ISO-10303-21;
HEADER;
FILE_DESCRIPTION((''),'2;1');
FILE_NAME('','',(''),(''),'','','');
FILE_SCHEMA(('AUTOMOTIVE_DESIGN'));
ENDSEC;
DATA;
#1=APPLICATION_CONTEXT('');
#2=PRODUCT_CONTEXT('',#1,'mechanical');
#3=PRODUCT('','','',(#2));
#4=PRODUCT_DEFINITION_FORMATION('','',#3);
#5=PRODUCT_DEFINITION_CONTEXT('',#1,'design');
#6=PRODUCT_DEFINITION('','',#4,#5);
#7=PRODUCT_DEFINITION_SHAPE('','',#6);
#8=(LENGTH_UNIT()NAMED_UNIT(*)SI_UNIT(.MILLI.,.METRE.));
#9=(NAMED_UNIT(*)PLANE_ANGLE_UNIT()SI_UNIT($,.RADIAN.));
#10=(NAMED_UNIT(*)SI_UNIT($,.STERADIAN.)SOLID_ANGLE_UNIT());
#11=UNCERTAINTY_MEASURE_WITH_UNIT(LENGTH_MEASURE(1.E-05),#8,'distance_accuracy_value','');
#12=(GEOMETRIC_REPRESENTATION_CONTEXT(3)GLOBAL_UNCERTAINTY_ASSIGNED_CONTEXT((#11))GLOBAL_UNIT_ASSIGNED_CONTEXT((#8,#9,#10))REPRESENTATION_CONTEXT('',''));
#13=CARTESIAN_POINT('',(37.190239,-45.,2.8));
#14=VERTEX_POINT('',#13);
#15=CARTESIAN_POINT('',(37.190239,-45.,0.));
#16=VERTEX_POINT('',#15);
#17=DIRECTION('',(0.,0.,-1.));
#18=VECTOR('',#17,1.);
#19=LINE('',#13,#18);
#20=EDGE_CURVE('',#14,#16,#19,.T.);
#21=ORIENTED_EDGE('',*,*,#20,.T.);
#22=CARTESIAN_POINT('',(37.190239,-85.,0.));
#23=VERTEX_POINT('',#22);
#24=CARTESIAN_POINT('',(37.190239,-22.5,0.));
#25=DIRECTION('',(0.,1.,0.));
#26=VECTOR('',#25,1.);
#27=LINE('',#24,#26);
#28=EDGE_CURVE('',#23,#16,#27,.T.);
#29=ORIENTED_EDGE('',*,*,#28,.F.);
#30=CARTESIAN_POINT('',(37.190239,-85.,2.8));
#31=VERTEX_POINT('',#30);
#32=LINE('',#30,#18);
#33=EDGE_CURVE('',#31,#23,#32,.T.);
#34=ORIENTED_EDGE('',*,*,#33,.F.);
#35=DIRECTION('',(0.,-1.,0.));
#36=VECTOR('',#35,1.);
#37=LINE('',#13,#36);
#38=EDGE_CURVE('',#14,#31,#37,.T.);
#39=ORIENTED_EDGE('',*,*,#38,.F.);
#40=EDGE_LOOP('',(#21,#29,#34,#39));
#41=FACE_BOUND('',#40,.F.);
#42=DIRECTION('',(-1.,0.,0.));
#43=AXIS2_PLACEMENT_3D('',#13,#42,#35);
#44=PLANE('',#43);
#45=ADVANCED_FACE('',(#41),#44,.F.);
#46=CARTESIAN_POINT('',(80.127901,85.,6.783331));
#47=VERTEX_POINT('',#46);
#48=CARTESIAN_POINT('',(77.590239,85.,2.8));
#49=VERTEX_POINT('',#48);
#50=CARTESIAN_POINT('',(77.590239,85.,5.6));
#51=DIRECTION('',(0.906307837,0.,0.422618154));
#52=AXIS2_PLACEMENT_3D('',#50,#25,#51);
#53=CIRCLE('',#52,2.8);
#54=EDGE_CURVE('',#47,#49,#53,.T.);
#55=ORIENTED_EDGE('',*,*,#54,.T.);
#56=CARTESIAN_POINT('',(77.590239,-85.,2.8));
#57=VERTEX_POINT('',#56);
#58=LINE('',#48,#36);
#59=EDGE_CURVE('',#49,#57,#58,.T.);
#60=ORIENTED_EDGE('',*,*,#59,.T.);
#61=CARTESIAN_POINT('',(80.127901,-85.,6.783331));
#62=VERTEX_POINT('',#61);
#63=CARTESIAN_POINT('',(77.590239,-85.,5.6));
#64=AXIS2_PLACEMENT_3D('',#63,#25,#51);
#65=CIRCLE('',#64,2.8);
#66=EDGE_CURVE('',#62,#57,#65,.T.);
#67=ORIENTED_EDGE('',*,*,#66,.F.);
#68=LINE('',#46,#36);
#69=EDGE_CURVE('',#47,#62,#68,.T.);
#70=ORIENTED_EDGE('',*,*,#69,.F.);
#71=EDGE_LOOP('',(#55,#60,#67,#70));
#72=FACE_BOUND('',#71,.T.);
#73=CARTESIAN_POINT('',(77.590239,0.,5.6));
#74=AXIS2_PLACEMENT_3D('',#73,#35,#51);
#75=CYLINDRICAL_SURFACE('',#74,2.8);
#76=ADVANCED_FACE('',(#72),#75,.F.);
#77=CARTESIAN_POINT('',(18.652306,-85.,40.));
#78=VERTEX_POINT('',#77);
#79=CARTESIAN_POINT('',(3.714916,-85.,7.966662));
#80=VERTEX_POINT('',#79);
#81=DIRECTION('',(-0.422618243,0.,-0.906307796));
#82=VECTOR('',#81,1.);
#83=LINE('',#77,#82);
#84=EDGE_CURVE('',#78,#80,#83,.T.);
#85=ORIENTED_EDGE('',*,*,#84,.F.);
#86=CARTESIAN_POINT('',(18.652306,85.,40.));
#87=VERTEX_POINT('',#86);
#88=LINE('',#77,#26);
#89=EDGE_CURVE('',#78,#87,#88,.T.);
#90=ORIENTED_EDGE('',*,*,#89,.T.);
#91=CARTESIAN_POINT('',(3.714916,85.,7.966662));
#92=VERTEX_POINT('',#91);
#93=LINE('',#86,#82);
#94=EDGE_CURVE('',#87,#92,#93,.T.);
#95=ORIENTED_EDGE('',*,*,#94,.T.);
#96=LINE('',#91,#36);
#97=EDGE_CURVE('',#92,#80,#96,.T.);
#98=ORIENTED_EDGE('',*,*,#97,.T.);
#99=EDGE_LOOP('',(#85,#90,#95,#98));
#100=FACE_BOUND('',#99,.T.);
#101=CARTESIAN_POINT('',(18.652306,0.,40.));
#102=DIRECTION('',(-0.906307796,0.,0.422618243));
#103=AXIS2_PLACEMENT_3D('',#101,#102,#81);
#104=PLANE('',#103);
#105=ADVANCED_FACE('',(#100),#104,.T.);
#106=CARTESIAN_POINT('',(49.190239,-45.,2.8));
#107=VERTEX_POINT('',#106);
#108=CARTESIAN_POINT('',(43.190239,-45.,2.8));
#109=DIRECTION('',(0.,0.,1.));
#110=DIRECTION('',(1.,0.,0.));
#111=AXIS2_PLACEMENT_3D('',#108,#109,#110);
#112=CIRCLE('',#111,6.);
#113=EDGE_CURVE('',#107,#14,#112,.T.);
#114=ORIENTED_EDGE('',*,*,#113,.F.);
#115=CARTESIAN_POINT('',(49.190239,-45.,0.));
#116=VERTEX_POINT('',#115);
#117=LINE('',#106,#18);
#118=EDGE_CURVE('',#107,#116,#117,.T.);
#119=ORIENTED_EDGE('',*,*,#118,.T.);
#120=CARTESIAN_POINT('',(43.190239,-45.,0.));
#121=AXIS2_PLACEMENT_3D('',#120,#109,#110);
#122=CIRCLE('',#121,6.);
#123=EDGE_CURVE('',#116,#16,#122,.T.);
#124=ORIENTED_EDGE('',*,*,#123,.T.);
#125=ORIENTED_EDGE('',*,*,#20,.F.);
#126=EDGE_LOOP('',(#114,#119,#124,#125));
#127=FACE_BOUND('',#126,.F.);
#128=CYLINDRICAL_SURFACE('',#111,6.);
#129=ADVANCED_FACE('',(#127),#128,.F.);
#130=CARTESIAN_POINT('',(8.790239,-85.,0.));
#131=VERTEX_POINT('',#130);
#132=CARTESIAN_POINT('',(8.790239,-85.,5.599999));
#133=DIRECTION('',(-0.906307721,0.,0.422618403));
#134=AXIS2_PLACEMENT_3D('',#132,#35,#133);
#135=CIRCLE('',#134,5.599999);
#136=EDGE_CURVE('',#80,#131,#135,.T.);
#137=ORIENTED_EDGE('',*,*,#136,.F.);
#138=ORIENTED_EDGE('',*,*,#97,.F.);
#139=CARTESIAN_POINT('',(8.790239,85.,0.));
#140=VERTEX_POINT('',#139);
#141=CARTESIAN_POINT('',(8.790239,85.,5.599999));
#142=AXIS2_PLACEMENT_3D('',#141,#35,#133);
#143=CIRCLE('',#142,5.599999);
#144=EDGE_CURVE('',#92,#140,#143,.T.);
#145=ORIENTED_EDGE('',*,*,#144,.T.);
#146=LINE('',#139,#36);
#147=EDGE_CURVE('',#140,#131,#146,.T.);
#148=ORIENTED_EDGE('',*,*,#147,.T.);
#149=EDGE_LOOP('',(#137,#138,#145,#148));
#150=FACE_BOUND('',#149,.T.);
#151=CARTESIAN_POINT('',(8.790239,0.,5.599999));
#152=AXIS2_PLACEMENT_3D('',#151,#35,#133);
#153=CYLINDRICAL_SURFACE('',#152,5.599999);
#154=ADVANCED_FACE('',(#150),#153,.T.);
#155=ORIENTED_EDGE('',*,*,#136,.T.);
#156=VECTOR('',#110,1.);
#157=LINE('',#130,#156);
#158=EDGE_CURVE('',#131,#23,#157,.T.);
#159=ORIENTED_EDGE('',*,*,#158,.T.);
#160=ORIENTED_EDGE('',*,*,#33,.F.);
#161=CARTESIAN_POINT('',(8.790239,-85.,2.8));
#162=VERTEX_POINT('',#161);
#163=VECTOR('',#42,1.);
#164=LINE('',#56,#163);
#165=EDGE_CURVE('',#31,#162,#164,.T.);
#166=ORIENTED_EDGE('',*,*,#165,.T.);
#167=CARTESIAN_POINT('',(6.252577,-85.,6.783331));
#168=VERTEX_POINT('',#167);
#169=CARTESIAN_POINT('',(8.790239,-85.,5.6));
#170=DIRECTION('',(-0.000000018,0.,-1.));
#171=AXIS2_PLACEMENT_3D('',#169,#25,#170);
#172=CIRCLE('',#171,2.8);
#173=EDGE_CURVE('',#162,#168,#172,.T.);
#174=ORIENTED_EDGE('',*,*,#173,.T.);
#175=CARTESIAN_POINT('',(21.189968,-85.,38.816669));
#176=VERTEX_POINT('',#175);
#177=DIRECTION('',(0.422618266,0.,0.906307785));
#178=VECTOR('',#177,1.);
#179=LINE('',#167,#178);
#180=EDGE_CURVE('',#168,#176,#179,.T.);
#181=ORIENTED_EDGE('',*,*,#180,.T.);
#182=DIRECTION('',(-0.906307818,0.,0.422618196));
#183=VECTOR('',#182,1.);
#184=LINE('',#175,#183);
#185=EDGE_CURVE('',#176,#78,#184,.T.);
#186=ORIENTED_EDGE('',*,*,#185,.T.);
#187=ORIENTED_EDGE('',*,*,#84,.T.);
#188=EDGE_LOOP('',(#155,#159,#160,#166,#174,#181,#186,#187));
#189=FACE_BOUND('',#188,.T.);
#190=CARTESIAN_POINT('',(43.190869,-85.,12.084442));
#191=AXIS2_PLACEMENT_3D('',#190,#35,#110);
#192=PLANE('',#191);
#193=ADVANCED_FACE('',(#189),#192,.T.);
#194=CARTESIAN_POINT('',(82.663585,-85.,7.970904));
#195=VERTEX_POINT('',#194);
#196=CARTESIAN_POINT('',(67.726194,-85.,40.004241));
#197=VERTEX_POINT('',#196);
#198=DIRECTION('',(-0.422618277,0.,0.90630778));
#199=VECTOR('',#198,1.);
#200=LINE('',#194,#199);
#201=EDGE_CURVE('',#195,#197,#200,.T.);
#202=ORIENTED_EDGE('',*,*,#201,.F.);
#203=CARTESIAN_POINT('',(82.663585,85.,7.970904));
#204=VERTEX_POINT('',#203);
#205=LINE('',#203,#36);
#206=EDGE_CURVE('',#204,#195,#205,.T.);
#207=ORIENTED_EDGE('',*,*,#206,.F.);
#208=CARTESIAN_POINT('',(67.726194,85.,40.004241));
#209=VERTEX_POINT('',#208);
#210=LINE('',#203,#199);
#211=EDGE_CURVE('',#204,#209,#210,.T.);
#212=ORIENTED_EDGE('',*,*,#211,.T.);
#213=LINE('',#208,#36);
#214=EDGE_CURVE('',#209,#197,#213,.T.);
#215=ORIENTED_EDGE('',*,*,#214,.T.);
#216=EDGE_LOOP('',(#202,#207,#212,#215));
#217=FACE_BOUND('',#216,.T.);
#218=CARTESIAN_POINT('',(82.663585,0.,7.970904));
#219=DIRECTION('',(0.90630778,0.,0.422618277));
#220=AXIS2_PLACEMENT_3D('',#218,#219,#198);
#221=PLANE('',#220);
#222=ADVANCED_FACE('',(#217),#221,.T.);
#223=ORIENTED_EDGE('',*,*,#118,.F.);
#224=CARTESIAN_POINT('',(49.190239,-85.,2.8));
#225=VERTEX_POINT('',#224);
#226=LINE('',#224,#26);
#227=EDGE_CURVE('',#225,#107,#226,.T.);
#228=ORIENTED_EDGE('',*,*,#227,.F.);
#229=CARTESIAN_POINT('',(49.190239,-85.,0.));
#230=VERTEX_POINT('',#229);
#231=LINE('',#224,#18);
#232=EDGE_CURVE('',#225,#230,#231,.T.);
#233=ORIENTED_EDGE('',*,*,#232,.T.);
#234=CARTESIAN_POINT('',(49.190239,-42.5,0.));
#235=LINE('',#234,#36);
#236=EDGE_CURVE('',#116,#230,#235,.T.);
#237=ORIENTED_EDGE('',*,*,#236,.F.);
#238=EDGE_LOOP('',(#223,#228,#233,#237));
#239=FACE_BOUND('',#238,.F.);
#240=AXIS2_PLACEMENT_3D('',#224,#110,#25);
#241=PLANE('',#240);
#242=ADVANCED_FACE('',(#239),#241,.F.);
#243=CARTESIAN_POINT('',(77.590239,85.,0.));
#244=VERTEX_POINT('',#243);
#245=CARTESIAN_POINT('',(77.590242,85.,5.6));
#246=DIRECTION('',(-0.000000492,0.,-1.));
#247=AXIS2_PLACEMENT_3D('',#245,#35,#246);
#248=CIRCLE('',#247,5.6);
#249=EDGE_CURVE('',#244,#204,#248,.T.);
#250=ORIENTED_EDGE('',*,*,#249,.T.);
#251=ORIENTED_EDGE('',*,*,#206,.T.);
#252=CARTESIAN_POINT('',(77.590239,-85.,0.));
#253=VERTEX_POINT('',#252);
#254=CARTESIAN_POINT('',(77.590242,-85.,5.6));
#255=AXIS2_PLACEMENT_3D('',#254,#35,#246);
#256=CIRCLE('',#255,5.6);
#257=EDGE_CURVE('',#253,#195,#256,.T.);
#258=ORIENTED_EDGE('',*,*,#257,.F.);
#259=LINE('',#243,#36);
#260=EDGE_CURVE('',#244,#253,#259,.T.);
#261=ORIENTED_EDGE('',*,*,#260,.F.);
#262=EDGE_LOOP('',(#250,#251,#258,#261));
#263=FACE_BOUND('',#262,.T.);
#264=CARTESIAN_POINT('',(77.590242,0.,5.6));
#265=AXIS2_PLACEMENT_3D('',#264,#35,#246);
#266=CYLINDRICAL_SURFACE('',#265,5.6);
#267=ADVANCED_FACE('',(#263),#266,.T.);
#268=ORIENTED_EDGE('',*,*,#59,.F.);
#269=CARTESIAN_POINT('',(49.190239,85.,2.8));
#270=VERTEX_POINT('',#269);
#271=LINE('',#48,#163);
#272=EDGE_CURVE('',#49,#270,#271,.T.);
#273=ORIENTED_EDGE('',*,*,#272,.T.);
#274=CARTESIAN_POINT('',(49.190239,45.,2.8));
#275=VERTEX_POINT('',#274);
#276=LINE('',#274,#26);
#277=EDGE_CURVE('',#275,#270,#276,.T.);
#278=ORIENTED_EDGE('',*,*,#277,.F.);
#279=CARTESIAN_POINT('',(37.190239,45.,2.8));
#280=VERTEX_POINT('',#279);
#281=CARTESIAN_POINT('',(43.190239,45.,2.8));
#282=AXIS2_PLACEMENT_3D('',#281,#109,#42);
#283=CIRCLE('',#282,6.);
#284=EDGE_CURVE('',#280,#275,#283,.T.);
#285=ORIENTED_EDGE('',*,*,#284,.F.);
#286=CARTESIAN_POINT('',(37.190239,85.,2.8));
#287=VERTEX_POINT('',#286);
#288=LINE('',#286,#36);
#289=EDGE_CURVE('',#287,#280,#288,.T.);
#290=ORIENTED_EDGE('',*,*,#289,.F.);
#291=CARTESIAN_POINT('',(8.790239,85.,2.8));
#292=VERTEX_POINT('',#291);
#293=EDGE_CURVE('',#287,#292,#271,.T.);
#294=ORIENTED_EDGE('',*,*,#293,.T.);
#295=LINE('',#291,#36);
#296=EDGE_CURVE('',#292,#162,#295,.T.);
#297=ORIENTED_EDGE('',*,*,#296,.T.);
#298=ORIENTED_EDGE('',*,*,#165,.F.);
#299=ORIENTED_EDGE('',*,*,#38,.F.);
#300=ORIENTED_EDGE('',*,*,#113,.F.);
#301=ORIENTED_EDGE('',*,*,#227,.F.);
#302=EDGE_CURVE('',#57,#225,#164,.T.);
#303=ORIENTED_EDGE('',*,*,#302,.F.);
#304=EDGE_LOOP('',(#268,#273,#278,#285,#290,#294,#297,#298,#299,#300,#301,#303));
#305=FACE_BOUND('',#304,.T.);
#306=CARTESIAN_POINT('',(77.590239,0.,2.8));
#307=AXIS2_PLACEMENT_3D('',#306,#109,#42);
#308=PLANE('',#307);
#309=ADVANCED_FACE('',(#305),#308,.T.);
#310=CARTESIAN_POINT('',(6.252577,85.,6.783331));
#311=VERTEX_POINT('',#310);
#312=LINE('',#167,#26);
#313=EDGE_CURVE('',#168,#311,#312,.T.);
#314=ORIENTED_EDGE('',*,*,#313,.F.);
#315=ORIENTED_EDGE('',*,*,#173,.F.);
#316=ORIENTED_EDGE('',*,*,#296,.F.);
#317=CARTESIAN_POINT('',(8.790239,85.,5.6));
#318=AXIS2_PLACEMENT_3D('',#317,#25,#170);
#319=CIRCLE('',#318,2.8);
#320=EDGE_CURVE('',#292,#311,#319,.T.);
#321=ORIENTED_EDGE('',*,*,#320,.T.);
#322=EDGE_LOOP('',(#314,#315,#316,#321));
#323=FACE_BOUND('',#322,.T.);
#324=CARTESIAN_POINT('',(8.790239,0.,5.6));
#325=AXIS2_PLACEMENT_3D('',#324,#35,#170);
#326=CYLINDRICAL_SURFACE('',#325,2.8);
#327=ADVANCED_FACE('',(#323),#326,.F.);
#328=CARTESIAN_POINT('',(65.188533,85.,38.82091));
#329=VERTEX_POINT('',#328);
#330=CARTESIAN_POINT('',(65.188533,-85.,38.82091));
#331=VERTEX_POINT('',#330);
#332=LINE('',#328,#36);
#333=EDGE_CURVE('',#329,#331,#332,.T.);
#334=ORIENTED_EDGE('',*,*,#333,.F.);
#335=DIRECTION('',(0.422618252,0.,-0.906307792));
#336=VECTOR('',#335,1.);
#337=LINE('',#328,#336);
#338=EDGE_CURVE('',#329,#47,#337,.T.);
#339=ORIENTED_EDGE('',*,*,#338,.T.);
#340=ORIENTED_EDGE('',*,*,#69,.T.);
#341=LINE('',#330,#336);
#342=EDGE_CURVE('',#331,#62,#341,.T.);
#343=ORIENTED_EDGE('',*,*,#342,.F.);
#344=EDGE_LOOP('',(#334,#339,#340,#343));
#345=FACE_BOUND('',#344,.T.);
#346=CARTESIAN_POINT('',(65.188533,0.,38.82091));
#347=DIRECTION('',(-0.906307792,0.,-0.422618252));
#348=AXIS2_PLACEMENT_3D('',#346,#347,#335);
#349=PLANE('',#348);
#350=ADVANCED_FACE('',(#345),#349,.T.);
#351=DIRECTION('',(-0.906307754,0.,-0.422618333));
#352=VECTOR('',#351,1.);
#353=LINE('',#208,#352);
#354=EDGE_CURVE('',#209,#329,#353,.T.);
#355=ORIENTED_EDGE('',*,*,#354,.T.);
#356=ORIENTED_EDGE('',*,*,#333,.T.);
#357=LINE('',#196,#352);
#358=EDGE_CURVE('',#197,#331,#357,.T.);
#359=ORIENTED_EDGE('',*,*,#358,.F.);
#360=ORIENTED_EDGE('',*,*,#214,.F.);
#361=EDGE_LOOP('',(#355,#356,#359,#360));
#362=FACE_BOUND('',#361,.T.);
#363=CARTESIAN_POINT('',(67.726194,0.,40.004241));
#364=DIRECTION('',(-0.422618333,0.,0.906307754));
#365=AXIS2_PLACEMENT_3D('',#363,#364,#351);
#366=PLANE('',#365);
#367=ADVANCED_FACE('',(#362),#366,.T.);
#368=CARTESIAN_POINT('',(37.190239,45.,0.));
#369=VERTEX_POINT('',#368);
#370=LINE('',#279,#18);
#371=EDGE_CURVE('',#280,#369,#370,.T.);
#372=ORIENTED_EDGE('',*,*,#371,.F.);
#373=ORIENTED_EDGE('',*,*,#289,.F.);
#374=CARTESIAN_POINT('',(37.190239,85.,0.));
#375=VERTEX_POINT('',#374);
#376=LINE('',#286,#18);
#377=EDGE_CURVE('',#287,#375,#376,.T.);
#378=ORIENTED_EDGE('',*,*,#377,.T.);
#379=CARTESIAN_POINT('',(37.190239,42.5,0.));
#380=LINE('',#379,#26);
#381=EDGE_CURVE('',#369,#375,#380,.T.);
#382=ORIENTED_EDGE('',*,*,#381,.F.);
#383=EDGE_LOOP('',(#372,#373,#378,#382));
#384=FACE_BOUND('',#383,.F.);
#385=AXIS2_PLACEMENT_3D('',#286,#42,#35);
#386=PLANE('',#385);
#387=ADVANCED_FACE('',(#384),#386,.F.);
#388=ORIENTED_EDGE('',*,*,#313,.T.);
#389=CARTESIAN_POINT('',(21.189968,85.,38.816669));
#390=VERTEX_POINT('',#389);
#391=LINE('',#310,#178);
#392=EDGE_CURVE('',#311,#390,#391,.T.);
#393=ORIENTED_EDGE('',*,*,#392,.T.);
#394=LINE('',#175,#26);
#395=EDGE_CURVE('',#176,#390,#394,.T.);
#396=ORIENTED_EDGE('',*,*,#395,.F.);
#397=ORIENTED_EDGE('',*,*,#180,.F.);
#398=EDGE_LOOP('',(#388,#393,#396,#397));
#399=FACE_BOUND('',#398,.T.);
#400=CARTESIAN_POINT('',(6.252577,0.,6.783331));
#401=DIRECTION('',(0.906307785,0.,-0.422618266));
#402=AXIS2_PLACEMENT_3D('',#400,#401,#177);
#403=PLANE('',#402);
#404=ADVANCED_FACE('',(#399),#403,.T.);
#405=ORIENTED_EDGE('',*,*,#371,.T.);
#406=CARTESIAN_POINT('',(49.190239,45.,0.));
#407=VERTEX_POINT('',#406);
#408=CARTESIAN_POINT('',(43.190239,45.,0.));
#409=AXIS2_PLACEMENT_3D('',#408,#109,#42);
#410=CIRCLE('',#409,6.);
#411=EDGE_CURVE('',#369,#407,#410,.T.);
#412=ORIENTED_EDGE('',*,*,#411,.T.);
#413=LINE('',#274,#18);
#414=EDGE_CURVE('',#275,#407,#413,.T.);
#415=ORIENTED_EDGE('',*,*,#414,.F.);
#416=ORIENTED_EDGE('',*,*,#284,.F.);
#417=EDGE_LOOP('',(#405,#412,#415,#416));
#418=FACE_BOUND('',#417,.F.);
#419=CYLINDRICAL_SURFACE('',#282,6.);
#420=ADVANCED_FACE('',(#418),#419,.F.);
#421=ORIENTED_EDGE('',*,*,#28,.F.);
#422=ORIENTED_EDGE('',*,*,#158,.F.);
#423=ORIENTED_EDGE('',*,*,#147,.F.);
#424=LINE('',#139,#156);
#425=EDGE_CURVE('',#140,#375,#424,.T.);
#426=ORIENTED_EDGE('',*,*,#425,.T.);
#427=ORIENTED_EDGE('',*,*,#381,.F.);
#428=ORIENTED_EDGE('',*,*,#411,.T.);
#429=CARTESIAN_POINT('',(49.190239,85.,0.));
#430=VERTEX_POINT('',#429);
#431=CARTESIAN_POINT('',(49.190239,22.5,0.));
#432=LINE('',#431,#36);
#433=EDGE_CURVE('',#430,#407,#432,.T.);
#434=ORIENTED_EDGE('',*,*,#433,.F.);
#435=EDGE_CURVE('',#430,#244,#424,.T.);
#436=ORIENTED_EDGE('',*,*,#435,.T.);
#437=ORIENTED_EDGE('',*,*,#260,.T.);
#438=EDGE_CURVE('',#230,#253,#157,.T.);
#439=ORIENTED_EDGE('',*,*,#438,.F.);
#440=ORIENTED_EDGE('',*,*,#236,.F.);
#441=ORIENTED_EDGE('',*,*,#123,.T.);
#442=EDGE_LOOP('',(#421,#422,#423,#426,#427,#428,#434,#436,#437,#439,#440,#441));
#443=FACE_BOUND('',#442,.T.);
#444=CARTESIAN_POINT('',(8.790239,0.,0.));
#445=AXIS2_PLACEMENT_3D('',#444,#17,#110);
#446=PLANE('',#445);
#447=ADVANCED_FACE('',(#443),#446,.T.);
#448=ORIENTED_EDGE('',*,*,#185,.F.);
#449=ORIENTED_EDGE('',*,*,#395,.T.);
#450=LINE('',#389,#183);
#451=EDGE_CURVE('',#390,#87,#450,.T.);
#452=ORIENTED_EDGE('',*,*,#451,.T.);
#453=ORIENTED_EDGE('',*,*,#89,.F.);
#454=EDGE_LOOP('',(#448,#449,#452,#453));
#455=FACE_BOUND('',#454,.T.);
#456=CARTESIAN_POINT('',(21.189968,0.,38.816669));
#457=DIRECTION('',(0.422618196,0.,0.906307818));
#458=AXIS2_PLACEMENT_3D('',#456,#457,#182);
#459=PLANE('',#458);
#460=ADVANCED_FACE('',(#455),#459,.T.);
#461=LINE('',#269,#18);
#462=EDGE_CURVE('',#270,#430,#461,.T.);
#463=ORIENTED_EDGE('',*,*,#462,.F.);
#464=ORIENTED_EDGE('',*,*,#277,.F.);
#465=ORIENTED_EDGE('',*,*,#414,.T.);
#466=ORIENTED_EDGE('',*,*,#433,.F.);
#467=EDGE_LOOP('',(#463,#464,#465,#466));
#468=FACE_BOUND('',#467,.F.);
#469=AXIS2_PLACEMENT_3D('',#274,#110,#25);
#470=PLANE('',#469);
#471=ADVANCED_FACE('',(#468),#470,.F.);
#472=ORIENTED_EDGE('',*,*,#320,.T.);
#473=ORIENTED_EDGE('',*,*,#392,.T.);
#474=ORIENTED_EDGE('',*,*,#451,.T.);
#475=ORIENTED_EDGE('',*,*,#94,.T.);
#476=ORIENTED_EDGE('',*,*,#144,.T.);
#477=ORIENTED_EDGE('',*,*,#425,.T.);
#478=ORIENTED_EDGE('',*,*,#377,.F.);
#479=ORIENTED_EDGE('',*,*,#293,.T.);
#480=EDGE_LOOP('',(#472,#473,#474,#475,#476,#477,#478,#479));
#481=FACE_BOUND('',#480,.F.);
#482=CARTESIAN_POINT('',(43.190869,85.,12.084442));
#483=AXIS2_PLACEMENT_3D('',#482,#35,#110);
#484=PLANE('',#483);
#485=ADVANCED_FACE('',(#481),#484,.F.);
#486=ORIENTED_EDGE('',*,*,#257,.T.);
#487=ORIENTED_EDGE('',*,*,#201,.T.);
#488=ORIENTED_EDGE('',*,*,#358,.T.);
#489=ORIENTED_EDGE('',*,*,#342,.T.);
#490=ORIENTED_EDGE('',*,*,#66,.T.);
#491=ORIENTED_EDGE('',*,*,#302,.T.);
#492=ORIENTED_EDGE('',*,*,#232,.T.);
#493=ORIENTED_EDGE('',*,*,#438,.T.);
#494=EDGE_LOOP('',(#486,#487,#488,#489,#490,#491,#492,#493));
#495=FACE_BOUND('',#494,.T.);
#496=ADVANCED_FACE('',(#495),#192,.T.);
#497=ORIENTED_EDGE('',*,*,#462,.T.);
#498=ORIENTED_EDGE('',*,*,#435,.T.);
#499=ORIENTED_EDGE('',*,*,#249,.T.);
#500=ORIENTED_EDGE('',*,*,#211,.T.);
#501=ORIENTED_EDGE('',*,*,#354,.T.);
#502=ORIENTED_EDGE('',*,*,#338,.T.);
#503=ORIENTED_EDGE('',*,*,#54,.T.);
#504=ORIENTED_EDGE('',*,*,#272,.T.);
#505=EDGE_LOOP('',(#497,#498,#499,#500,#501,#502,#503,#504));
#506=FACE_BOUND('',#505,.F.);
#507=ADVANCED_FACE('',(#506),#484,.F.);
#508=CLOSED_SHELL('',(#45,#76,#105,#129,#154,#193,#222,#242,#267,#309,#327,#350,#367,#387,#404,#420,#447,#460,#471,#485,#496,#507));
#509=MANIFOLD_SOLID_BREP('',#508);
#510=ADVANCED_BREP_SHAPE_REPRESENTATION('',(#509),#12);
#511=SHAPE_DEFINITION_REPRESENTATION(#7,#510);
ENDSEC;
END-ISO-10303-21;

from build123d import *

# Parameters (mm, degrees)
F1_DEPTH = 85
F3_DEPTH = 2.801


with BuildPart() as f1:
    # F0 (on Front) → F1 (new body, symmetric)
    with BuildSketch(Plane.XZ):
        with BuildLine():
            Line((18.652306, 40), (3.714916, 7.966662))
            ThreePointArc((3.714916, 7.966662), (4.067247, 2.591122), (8.790239, 0))
            Line((8.790239, 0), (77.590239, 0))
            ThreePointArc((77.590239, 0), (82.31449, 2.593095), (82.663585, 7.970904))
            Line((82.663585, 7.970904), (67.726194, 40.004241))
            Line((67.726194, 40.004241), (65.188533, 38.82091))
            Line((65.188533, 38.82091), (80.127901, 6.783331))
            ThreePointArc((80.127901, 6.783331), (79.951735, 4.095561), (77.590239, 2.8))
            Line((77.590239, 2.8), (8.790239, 2.8))
            ThreePointArc((8.790239, 2.8), (6.428743, 4.095561), (6.252577, 6.783331))
            Line((6.252577, 6.783331), (21.189968, 38.816669))
            Line((21.189968, 38.816669), (18.652306, 40))
        make_face()
    extrude(amount=F1_DEPTH, both=True)

    # F2 (on face) → F3 (cut, through all)
    with BuildSketch(Plane.XY.offset(2.8)):
        with BuildLine():
            Line((49.190239, -85), (49.190239, -45))
            ThreePointArc((49.190239, -45), (43.190239, -39), (37.190239, -45))
            Line((37.190239, -45), (37.190239, -85))
            Line((37.190239, -85), (49.190239, -85))
        make_face()
        with BuildLine():
            Line((49.190239, 45), (49.190239, 85))
            Line((49.190239, 85), (37.190239, 85))
            Line((37.190239, 85), (37.190239, 45))
            ThreePointArc((37.190239, 45), (43.190239, 39), (49.190239, 45))
        make_face()
    extrude(amount=-F3_DEPTH, mode=Mode.SUBTRACT)


solid = f1.part
